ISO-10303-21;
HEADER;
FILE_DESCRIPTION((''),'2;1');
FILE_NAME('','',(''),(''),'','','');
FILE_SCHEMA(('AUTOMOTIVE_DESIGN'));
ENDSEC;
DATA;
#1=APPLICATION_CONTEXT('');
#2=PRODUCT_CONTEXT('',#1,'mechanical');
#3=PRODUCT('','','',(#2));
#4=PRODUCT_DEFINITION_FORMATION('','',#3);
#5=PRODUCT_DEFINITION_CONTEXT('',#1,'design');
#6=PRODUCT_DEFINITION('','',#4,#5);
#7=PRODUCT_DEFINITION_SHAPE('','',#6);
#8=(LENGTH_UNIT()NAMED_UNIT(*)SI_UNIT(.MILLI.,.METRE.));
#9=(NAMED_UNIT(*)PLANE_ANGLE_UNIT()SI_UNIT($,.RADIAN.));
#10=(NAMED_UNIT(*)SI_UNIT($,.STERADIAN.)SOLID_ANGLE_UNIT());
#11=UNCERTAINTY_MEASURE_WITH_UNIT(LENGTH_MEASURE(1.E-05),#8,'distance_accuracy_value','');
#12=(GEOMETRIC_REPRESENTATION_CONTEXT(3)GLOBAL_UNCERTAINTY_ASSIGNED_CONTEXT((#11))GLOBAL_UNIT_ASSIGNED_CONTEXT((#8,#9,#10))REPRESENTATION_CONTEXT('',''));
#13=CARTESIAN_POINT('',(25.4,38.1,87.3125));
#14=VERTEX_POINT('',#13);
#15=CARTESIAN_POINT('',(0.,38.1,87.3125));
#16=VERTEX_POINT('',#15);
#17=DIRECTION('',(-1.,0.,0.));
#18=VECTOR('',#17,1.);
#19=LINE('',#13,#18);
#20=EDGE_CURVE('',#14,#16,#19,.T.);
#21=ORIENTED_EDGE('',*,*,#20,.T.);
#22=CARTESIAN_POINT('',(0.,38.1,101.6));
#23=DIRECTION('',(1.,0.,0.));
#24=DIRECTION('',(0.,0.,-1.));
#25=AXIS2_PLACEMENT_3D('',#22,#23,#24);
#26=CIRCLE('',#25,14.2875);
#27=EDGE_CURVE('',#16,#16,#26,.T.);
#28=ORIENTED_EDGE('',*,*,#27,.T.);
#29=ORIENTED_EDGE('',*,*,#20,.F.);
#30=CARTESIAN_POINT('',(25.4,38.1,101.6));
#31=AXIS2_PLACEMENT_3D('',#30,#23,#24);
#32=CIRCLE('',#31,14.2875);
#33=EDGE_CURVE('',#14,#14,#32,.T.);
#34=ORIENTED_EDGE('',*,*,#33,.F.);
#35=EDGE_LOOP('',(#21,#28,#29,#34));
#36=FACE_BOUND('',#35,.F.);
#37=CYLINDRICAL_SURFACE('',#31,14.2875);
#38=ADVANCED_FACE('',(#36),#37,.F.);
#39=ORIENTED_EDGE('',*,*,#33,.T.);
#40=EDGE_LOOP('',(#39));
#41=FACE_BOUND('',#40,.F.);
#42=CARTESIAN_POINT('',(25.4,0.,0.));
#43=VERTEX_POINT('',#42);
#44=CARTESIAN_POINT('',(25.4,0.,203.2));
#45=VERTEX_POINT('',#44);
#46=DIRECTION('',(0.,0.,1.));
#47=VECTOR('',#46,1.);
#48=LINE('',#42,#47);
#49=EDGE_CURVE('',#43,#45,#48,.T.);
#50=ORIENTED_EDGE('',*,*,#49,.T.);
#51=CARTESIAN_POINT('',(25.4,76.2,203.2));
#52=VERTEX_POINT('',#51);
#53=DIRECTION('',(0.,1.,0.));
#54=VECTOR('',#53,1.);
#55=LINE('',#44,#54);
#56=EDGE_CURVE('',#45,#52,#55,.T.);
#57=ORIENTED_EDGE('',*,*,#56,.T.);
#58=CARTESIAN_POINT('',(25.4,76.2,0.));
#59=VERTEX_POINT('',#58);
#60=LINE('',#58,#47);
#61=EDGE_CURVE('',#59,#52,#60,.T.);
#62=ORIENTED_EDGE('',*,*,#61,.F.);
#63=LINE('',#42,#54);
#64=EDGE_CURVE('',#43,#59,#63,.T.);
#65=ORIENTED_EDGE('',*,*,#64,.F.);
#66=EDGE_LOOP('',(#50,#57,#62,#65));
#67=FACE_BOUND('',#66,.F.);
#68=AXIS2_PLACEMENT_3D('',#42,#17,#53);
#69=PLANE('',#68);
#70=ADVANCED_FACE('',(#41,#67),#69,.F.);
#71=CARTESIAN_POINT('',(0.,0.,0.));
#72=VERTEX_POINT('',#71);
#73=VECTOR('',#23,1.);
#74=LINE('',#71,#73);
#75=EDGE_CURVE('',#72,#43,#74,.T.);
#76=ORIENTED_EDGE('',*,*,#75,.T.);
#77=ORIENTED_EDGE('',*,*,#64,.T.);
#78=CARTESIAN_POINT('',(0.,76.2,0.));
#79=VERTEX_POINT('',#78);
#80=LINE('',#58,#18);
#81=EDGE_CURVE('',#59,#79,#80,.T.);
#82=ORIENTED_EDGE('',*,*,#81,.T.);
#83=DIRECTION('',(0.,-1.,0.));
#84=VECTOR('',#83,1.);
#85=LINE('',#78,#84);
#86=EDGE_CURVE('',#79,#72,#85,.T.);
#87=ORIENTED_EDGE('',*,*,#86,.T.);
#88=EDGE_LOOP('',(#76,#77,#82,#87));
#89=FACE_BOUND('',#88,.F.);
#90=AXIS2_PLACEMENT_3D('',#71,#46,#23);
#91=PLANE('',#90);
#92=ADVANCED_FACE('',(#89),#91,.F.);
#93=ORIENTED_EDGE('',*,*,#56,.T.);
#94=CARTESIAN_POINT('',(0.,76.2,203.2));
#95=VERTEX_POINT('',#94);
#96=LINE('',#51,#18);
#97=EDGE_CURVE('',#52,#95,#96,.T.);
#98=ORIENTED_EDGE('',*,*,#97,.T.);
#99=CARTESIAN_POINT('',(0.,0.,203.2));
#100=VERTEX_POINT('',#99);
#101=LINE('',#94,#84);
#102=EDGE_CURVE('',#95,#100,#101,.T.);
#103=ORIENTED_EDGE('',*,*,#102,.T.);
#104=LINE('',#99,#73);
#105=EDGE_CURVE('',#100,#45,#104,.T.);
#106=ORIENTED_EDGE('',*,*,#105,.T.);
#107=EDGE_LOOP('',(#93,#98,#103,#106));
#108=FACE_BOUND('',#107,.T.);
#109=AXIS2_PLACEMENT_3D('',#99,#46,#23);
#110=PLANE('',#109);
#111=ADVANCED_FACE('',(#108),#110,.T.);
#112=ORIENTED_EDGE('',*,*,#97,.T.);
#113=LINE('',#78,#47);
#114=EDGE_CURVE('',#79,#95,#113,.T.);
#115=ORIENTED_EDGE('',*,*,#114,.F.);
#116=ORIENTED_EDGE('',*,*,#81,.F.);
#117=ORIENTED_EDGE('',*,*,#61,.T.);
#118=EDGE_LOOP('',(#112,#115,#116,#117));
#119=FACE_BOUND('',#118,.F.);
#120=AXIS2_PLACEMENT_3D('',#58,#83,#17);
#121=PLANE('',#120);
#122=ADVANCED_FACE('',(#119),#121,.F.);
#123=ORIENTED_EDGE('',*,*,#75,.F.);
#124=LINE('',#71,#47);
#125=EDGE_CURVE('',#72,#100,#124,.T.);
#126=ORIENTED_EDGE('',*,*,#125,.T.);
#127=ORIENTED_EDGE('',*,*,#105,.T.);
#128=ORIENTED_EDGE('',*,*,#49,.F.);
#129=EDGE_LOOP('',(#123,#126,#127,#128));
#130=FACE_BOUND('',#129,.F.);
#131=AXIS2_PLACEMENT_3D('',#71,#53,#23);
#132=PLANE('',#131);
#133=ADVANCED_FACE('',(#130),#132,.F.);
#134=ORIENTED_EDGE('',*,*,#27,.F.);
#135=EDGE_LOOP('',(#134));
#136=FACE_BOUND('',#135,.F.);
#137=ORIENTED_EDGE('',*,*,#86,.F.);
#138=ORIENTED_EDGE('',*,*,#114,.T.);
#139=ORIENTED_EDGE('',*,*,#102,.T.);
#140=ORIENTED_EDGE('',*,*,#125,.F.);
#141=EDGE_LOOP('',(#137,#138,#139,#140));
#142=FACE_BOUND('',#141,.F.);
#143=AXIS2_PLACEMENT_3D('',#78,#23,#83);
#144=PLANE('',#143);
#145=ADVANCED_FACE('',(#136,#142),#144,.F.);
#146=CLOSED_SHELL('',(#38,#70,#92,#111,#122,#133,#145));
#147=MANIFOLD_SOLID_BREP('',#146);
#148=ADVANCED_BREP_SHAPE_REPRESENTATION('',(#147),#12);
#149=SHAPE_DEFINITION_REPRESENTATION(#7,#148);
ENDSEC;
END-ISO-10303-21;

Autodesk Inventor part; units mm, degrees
ref_plane "YZ Plane" through (0, 0, 0) normal (1, 0, 0) x (0, 1, 0)
ref_plane "XZ Plane" through (0, 0, 0) normal (0, 1, 0) x (-1, 0, 0)
ref_plane "XY Plane" through (0, 0, 0) normal (0, 0, 1) x (1, 0, 0)
sketch "Sketch1" plane through (0, 0, 0) normal (0, 0, 1) x (1, 0, 0)
  line L0 (0, 0) -> (25.4, 0)
  line L1 (25.4, 0) -> (25.4, 76.2)
  line L2 (25.4, 76.2) -> (0, 76.2)
  line L3 (0, 76.2) -> (0, 0)
  dimension "d0" = 25.4
  dimension "d1" = 76.2
extrude "Extrusion1" add sketch "Sketch1" along normal blind 203.2
sketch "Sketch2" plane through (25.4, 0, 0) normal (1, 0, 0) x (0, 0, -1)
  circle A0 centre (-101.6, 38.1) radius 14.2875
  point P0 (0, 0)
  dimension "d4" = 28.575
extrude "Extrusion2" cut sketch "Sketch2" against normal up to next
properties part number "mountingBoard"
